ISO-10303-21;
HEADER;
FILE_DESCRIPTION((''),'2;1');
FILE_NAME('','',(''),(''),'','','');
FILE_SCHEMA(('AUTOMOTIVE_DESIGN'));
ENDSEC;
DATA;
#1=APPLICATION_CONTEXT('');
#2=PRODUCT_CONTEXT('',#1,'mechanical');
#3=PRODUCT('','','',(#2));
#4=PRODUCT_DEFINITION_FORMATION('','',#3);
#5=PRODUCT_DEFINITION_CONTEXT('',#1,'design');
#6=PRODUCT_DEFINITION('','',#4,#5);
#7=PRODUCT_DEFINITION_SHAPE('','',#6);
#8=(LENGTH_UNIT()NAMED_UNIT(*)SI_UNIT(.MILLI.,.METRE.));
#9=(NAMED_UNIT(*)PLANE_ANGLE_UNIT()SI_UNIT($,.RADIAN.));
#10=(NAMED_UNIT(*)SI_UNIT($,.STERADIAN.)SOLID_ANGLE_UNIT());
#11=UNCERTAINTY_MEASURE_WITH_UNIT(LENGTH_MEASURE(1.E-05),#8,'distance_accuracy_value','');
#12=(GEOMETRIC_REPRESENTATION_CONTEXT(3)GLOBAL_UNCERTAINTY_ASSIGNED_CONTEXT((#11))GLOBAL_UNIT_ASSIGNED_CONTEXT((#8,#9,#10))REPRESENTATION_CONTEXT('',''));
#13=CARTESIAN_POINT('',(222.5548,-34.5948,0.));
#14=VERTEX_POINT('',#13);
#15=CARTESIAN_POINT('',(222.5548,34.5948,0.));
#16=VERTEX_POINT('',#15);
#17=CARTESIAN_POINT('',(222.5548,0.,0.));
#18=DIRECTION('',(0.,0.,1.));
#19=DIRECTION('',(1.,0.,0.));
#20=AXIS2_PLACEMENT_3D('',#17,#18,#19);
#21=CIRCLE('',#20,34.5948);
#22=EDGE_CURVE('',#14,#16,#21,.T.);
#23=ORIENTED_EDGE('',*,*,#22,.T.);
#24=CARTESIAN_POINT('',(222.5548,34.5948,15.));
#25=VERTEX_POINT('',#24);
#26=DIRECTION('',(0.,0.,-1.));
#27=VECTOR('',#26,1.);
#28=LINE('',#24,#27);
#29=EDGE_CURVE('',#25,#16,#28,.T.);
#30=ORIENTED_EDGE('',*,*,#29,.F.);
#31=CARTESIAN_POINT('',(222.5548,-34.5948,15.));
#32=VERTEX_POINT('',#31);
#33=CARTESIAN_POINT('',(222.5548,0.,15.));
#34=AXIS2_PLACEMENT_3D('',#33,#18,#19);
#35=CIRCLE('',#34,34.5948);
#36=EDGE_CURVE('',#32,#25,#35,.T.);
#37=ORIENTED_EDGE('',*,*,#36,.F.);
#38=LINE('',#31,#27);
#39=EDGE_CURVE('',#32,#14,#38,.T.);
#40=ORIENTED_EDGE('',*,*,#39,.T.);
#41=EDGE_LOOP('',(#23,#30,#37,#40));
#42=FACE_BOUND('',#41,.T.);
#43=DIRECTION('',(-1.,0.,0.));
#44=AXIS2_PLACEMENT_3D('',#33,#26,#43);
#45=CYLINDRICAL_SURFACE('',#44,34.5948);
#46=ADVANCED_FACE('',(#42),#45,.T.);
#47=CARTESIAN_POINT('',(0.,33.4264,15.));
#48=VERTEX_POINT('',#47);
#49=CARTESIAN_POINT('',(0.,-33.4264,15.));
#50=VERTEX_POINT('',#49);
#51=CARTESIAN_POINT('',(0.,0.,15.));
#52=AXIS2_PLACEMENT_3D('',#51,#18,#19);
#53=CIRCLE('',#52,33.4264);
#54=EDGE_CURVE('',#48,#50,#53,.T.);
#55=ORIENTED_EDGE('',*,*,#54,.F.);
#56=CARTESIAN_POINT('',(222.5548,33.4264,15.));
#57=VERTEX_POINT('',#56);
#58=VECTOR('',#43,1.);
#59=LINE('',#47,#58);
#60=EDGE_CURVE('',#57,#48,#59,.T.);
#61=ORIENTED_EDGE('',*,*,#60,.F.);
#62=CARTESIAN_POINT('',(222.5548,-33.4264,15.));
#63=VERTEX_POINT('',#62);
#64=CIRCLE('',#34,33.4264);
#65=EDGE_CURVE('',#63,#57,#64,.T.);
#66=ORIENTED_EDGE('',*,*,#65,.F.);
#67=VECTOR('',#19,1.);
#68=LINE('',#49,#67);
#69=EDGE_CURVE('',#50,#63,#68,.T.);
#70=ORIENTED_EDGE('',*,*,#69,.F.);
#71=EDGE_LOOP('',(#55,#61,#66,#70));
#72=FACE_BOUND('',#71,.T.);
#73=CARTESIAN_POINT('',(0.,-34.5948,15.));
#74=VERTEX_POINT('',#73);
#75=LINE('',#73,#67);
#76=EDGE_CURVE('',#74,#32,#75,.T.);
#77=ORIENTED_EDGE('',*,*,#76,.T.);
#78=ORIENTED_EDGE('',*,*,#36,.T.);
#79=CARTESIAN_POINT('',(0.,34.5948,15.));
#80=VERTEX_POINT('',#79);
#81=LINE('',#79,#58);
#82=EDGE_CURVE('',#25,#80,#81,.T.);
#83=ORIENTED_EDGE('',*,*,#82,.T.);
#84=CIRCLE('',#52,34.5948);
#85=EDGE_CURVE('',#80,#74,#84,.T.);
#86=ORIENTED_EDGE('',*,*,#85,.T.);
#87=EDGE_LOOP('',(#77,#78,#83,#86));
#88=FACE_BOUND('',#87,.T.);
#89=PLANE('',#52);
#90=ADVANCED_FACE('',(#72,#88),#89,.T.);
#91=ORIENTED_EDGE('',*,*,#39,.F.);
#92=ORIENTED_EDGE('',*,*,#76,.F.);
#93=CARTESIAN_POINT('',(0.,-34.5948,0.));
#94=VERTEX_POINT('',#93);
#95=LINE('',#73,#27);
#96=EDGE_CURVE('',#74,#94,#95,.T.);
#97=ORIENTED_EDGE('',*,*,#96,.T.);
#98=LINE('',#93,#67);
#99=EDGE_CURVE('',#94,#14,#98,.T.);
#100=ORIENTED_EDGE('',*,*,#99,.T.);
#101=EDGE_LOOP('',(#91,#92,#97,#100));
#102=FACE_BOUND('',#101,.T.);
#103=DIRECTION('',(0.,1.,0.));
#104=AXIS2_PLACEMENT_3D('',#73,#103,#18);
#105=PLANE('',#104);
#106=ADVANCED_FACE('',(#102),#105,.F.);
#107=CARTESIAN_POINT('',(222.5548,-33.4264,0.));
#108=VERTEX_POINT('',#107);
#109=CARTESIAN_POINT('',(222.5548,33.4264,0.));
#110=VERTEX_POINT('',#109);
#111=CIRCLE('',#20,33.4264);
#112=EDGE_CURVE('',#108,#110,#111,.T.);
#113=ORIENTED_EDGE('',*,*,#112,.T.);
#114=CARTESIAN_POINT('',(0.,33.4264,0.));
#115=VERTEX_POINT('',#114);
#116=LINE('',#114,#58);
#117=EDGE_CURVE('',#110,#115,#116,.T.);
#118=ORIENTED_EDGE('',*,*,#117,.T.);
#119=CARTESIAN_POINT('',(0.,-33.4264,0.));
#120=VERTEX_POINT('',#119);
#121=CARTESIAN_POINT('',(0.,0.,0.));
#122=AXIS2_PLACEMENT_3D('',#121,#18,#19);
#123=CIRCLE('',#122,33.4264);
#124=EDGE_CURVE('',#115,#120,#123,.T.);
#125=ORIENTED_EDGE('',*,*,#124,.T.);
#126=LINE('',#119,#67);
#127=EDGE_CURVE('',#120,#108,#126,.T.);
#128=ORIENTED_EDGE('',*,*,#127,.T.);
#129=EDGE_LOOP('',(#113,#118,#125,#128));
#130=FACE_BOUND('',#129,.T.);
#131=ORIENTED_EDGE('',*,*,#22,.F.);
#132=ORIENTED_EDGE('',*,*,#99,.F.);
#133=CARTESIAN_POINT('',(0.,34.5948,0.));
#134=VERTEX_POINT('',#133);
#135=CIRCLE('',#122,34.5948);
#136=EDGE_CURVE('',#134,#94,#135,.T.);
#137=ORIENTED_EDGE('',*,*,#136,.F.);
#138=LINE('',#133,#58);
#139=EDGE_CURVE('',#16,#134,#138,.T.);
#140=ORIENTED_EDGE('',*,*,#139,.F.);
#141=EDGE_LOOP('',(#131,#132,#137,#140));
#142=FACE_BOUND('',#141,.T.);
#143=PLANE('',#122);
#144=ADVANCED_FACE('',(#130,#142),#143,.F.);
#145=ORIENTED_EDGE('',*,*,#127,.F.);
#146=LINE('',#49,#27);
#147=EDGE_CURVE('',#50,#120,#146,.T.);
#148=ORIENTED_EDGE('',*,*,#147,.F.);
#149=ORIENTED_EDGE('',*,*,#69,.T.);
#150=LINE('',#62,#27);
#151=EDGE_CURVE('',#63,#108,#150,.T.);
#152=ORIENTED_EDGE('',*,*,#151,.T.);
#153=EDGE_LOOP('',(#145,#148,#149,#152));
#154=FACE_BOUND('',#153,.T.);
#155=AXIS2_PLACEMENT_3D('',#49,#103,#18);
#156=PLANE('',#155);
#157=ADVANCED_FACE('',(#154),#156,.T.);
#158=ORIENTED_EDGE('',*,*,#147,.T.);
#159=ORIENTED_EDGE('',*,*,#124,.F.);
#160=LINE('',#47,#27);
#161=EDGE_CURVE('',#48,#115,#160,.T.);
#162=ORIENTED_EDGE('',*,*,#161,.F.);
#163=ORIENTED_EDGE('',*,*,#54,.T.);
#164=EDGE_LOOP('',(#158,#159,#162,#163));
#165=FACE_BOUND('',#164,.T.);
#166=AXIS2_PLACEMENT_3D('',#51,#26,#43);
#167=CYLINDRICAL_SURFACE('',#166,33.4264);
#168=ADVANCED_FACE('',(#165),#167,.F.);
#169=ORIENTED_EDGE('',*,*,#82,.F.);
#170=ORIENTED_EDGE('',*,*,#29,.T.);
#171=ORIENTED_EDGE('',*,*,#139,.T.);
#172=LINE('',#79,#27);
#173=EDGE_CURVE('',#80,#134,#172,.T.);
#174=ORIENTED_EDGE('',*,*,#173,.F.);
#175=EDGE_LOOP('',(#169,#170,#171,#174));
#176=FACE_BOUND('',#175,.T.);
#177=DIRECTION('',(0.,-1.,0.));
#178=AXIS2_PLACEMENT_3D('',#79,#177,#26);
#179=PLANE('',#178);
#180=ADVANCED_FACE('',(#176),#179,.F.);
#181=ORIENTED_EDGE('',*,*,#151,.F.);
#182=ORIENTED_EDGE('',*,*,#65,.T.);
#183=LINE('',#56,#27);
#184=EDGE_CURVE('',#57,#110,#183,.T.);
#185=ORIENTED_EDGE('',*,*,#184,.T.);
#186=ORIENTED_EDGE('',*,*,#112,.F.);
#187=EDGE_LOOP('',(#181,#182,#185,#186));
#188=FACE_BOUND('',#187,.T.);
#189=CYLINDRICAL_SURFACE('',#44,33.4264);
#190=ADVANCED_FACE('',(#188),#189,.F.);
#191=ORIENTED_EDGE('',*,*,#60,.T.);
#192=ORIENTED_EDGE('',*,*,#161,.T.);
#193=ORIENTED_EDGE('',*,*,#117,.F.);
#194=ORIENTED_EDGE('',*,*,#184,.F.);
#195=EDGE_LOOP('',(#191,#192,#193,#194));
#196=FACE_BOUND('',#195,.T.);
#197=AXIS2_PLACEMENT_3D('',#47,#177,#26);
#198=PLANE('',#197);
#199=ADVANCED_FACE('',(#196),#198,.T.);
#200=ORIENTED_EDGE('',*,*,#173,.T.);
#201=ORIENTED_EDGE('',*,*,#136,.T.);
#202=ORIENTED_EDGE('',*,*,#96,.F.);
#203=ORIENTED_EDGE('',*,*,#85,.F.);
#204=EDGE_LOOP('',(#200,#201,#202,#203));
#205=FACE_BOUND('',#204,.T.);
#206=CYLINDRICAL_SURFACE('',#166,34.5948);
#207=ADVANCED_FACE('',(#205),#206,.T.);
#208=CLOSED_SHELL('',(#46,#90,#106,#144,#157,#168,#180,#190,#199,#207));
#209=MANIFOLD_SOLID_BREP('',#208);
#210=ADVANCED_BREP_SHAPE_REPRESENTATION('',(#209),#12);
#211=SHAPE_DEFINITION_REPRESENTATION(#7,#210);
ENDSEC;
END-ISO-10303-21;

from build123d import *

# Parameters (mm, degrees)
BOSS_EXTRUDE1_DEPTH = 15


with BuildPart() as part:
    # Sketch1 → Boss-Extrude1 (new body)
    with BuildSketch(Plane.XY):
        with BuildLine():
            Line((0, 34.5948), (222.5548, 34.5948))
            ThreePointArc((222.5548, 34.5948), (257.1496, 0), (222.5548, -34.5948))
            Line((222.5548, -34.5948), (0, -34.5948))
            ThreePointArc((0, -34.5948), (-34.5948, 0), (0, 34.5948))
        make_face()
        with BuildLine():
            Line((0, 33.4264), (222.5548, 33.4264))
            ThreePointArc((222.5548, 33.4264), (255.9812, 0), (222.5548, -33.4264))
            Line((222.5548, -33.4264), (0, -33.4264))
            ThreePointArc((0, -33.4264), (-33.4264, 0), (0, 33.4264))
        make_face(mode=Mode.SUBTRACT)
    extrude(amount=BOSS_EXTRUDE1_DEPTH)


solid = part.part
